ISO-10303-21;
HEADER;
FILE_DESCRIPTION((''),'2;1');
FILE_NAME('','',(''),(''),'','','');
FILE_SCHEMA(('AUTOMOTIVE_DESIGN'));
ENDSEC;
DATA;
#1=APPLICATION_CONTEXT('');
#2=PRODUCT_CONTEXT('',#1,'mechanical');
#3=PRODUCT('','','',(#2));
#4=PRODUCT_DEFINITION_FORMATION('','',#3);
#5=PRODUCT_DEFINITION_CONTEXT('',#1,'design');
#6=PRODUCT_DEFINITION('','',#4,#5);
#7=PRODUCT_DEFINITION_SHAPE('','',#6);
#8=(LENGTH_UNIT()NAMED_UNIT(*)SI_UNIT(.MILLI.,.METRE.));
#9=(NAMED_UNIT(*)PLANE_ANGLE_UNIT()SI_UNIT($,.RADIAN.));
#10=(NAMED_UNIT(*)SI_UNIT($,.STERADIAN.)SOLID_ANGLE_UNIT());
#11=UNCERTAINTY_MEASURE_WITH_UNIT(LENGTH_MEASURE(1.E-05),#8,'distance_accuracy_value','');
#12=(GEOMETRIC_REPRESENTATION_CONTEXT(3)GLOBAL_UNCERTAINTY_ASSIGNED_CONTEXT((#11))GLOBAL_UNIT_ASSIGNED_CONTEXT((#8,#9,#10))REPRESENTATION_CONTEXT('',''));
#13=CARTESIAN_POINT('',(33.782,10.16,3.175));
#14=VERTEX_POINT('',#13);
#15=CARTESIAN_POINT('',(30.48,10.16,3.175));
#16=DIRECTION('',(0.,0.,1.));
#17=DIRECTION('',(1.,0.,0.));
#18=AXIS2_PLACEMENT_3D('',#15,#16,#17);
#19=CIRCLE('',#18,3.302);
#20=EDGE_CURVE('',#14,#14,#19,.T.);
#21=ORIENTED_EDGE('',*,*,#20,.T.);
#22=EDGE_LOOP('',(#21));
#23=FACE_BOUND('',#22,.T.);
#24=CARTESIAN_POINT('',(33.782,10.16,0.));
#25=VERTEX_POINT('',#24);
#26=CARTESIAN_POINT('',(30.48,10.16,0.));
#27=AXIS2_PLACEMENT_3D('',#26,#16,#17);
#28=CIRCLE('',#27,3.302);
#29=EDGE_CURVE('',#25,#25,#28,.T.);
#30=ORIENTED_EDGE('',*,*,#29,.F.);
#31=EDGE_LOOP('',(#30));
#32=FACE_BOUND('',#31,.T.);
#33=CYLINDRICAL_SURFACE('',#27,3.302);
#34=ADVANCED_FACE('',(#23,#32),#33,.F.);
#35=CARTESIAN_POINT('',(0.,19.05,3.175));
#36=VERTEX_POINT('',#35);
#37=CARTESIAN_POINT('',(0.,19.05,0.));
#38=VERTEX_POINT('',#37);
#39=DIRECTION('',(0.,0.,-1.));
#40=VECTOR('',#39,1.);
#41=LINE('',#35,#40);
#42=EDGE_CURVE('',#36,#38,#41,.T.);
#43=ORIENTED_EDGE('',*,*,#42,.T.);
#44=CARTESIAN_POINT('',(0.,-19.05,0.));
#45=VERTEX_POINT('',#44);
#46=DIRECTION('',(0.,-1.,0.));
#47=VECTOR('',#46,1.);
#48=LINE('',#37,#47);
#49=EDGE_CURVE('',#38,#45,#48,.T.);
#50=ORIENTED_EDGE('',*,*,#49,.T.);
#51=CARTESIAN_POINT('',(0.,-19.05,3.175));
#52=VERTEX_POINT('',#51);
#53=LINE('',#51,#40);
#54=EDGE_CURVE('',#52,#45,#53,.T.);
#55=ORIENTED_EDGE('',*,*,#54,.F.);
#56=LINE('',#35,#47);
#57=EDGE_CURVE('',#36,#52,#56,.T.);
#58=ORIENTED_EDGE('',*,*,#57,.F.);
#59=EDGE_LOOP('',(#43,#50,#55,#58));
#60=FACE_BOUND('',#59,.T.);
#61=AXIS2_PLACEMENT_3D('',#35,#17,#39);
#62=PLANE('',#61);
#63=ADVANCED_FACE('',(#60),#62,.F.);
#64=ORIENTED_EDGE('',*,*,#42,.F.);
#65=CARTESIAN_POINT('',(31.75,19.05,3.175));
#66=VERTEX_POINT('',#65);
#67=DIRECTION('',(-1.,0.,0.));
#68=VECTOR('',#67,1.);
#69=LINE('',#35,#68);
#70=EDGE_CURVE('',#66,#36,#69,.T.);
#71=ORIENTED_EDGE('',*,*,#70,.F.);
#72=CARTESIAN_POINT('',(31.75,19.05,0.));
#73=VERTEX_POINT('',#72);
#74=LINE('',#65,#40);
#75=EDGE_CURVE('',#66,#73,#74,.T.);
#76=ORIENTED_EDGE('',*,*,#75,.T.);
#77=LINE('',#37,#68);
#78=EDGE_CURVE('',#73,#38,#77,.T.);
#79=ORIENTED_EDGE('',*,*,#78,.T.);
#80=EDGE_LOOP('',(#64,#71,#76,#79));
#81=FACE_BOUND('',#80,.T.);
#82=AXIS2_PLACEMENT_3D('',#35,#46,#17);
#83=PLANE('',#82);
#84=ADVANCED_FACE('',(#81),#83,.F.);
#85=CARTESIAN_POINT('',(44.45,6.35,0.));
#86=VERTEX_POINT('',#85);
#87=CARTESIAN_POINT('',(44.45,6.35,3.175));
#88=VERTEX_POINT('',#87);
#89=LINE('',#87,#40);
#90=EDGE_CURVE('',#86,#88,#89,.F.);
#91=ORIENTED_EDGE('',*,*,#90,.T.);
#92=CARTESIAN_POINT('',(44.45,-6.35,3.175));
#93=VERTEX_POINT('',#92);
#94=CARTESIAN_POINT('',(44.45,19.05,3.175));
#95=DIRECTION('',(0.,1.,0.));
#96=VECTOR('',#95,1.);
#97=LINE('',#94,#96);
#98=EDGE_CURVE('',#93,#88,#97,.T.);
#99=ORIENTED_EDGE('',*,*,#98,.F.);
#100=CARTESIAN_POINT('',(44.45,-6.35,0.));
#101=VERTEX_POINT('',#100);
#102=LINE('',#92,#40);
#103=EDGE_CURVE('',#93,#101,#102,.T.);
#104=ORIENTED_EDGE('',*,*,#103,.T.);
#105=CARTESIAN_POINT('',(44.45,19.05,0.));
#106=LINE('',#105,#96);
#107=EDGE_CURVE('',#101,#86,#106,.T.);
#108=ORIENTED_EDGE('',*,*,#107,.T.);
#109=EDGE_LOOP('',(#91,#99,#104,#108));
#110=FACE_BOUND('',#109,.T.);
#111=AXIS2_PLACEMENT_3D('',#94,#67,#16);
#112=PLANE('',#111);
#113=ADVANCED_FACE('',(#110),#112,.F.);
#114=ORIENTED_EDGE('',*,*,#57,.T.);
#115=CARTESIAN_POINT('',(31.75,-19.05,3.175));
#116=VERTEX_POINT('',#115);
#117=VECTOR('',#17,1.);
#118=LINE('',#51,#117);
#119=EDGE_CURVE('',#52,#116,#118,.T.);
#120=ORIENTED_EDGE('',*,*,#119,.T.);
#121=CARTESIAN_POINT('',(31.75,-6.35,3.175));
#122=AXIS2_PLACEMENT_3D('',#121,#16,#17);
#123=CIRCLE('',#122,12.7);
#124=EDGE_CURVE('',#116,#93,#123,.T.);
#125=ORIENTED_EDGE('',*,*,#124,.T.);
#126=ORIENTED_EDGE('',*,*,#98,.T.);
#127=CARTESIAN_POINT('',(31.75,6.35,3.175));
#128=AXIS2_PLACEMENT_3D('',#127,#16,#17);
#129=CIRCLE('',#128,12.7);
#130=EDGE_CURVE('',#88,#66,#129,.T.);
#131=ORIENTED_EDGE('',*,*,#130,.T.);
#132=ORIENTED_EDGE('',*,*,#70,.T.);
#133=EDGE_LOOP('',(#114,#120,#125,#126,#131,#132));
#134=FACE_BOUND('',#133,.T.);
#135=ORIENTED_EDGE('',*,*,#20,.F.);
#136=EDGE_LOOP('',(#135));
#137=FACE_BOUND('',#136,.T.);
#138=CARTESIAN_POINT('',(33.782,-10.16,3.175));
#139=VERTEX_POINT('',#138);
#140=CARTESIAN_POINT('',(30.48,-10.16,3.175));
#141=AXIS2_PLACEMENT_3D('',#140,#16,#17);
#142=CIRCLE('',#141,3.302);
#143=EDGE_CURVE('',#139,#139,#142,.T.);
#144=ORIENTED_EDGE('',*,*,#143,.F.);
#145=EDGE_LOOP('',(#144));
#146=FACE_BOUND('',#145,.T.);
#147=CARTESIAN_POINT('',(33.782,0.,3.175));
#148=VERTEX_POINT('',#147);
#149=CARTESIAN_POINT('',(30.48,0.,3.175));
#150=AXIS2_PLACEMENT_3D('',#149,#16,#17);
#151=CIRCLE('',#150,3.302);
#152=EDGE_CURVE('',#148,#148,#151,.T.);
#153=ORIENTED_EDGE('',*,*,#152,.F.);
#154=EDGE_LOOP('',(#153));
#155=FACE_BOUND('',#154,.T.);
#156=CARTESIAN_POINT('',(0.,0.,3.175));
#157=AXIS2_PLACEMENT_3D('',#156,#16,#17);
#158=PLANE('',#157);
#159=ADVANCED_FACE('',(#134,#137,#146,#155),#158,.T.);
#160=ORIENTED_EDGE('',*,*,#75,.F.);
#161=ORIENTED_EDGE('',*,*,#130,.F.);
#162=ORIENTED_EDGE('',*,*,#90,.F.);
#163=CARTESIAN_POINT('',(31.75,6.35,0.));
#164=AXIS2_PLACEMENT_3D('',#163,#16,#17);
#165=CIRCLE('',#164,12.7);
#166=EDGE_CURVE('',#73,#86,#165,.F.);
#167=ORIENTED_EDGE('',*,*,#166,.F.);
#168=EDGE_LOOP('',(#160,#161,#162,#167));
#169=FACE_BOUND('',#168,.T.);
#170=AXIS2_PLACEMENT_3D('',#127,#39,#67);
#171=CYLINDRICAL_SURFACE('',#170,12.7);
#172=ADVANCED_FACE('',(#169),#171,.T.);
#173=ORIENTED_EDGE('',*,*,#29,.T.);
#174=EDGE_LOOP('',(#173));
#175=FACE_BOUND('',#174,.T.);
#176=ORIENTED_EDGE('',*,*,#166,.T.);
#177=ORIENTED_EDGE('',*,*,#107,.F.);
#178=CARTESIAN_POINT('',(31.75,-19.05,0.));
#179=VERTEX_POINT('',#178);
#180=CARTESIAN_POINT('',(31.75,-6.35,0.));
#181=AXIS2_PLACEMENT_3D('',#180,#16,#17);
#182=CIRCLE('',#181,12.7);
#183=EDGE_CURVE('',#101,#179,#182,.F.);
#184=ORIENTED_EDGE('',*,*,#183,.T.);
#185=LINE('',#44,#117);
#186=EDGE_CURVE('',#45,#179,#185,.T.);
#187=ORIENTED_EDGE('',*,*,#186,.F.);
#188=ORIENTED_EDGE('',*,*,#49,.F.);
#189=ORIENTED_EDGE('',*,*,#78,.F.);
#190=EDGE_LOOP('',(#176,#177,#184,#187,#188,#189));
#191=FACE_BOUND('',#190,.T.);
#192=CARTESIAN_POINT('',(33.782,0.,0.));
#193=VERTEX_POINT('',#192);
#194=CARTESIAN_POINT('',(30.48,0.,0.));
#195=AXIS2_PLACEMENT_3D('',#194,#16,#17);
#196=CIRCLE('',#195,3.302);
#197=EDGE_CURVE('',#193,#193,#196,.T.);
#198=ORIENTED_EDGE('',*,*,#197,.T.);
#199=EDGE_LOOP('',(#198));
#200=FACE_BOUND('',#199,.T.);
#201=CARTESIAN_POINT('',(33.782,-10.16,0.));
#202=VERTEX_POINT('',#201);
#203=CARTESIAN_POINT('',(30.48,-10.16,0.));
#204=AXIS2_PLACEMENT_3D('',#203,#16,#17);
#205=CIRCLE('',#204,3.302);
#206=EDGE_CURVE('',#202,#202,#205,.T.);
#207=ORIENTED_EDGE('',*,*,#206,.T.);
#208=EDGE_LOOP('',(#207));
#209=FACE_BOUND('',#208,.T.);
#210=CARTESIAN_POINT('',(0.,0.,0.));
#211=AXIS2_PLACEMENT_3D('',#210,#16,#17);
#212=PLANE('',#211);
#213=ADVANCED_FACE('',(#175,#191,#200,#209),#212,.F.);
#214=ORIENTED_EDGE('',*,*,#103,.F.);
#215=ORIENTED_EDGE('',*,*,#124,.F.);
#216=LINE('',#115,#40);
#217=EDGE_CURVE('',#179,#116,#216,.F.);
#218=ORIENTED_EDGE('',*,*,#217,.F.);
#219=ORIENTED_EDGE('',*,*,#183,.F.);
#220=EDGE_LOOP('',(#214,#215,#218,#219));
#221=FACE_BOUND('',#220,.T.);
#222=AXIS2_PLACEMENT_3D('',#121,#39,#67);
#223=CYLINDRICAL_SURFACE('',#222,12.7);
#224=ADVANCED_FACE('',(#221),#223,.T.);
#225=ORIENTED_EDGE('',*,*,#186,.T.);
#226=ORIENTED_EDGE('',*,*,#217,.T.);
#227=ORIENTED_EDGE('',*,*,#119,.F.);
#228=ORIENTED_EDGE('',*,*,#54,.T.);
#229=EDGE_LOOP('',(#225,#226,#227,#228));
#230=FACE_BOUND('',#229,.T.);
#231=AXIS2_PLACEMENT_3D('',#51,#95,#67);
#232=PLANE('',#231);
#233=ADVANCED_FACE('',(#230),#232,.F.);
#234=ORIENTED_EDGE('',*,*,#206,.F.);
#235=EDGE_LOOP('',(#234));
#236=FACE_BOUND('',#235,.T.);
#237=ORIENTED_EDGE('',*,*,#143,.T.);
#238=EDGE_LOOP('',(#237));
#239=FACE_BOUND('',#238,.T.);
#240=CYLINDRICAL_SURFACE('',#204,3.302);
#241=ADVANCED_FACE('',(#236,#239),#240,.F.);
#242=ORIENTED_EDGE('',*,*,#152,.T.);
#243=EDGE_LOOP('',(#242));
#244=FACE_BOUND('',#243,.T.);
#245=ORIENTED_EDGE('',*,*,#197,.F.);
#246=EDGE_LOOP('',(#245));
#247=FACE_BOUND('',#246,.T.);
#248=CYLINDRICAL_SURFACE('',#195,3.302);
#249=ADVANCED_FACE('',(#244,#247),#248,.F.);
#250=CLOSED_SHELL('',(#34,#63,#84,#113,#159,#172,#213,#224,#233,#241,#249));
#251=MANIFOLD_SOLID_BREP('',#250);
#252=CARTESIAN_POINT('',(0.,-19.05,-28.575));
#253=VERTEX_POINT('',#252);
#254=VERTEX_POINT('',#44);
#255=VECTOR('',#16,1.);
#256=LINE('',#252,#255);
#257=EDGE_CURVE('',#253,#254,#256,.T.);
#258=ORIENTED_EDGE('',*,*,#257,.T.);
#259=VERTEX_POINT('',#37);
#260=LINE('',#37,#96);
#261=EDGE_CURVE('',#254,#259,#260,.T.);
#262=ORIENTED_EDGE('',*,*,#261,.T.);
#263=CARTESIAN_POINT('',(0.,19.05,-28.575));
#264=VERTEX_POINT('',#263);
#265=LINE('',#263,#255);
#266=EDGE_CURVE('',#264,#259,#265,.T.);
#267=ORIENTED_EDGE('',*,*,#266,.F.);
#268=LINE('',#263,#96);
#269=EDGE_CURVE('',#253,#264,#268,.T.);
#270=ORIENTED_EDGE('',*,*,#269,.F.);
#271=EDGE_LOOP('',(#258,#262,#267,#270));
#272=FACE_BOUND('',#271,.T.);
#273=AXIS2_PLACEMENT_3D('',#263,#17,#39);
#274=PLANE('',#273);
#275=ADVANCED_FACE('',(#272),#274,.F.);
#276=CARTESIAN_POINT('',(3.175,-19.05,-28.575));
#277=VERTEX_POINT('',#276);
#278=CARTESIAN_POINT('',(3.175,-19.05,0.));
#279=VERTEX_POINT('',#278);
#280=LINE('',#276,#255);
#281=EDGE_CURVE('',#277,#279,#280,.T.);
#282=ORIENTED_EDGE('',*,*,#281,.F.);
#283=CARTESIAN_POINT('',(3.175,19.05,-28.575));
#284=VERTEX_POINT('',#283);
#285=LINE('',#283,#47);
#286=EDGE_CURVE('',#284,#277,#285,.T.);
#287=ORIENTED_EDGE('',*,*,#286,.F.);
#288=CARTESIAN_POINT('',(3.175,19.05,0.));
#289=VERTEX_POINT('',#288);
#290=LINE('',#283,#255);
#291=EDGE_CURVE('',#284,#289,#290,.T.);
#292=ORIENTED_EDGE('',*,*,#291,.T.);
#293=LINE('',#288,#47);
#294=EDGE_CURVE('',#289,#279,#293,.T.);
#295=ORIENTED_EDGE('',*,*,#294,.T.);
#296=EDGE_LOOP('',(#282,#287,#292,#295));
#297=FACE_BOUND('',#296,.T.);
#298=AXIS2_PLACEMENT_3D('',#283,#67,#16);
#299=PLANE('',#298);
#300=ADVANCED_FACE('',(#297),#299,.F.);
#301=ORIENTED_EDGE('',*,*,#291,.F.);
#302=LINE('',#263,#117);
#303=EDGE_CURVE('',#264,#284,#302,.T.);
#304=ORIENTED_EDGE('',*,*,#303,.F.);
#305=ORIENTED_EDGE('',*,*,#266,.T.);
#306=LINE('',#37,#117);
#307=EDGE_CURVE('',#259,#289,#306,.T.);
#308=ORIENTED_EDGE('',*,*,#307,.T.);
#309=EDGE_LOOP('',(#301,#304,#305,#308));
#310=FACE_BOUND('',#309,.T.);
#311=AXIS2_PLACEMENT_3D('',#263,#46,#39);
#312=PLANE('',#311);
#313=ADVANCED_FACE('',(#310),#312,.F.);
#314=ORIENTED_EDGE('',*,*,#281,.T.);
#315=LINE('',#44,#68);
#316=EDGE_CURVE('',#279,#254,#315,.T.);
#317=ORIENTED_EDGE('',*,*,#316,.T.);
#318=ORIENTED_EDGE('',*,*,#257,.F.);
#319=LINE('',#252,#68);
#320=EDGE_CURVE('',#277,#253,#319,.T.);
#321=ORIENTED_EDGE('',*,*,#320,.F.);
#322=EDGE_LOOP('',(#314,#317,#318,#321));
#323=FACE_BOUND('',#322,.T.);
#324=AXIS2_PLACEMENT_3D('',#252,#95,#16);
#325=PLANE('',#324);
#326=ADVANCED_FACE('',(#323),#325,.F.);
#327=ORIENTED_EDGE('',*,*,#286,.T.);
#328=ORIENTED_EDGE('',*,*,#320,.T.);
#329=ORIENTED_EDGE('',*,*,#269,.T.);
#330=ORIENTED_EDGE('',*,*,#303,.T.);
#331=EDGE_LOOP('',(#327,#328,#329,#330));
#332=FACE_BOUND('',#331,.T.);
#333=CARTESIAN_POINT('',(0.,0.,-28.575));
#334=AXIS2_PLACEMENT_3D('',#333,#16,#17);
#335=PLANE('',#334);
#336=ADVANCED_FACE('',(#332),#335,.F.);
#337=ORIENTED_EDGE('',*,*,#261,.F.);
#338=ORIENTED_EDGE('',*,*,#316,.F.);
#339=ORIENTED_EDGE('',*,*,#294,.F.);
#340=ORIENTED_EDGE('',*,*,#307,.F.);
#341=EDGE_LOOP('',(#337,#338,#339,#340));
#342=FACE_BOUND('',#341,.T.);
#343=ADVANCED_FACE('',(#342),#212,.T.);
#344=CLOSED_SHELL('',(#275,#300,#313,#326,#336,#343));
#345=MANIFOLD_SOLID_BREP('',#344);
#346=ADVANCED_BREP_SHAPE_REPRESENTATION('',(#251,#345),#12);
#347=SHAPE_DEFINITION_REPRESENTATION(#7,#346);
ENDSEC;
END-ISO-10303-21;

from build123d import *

# Parameters (mm, degrees)
SKETCH1_W               = 44.45
SKETCH1_H               = 38.1
BOSS_EXTRUDE1_DEPTH     = 3.175
CUT_EXTRUDE1_DEPTH      = 49.464271634
CUT_EXTRUDE1_DEPTH_BACK = 49.464271634
SKETCH2_R               = 3.302
SKETCH3_W               = 3.175
SKETCH3_H               = 38.1
BOSS_EXTRUDE2_DEPTH     = 28.575
FILLET1_R               = 12.7


with BuildPart() as part:
    # Sketch1 → Boss-Extrude1 (new body)
    with BuildSketch(Plane.XY):
        with Locations((22.225, 0)):
            Rectangle(SKETCH1_W, SKETCH1_H)
    extrude(amount=BOSS_EXTRUDE1_DEPTH)

    # Sketch2 → Cut-Extrude1 (cut, two sides: drawn at the far end of the back side and taken through both)
    with BuildSketch(Plane.XY.offset(3.175).offset(-CUT_EXTRUDE1_DEPTH_BACK)):
        with Locations((30.48, 10.16)):
            Circle(SKETCH2_R)
        with Locations((30.48, -10.16)):
            Circle(SKETCH2_R)
        with Locations((30.48, 0)):
            Circle(SKETCH2_R)
    extrude(amount=CUT_EXTRUDE1_DEPTH + CUT_EXTRUDE1_DEPTH_BACK, mode=Mode.SUBTRACT)

    # Fillet1
    fillet1_edges = [part.edges().sort_by_distance(p)[0] for p in [
        (44.45, 19.05, 1.5875),
        (44.45, -19.05, 1.5875),
    ]]
    fillet(fillet1_edges, radius=FILLET1_R)


with BuildPart() as body_2:
    # Sketch3 → Boss-Extrude2 (new body)
    with BuildSketch(Plane(origin=(0, 0, 0), x_dir=(-1, 0, 0), z_dir=(0, 0, -1))):
        with Locations((-1.5875, 0)):
            Rectangle(SKETCH3_W, SKETCH3_H)
    extrude(amount=BOSS_EXTRUDE2_DEPTH)


solid = Compound([part.part, body_2.part])
